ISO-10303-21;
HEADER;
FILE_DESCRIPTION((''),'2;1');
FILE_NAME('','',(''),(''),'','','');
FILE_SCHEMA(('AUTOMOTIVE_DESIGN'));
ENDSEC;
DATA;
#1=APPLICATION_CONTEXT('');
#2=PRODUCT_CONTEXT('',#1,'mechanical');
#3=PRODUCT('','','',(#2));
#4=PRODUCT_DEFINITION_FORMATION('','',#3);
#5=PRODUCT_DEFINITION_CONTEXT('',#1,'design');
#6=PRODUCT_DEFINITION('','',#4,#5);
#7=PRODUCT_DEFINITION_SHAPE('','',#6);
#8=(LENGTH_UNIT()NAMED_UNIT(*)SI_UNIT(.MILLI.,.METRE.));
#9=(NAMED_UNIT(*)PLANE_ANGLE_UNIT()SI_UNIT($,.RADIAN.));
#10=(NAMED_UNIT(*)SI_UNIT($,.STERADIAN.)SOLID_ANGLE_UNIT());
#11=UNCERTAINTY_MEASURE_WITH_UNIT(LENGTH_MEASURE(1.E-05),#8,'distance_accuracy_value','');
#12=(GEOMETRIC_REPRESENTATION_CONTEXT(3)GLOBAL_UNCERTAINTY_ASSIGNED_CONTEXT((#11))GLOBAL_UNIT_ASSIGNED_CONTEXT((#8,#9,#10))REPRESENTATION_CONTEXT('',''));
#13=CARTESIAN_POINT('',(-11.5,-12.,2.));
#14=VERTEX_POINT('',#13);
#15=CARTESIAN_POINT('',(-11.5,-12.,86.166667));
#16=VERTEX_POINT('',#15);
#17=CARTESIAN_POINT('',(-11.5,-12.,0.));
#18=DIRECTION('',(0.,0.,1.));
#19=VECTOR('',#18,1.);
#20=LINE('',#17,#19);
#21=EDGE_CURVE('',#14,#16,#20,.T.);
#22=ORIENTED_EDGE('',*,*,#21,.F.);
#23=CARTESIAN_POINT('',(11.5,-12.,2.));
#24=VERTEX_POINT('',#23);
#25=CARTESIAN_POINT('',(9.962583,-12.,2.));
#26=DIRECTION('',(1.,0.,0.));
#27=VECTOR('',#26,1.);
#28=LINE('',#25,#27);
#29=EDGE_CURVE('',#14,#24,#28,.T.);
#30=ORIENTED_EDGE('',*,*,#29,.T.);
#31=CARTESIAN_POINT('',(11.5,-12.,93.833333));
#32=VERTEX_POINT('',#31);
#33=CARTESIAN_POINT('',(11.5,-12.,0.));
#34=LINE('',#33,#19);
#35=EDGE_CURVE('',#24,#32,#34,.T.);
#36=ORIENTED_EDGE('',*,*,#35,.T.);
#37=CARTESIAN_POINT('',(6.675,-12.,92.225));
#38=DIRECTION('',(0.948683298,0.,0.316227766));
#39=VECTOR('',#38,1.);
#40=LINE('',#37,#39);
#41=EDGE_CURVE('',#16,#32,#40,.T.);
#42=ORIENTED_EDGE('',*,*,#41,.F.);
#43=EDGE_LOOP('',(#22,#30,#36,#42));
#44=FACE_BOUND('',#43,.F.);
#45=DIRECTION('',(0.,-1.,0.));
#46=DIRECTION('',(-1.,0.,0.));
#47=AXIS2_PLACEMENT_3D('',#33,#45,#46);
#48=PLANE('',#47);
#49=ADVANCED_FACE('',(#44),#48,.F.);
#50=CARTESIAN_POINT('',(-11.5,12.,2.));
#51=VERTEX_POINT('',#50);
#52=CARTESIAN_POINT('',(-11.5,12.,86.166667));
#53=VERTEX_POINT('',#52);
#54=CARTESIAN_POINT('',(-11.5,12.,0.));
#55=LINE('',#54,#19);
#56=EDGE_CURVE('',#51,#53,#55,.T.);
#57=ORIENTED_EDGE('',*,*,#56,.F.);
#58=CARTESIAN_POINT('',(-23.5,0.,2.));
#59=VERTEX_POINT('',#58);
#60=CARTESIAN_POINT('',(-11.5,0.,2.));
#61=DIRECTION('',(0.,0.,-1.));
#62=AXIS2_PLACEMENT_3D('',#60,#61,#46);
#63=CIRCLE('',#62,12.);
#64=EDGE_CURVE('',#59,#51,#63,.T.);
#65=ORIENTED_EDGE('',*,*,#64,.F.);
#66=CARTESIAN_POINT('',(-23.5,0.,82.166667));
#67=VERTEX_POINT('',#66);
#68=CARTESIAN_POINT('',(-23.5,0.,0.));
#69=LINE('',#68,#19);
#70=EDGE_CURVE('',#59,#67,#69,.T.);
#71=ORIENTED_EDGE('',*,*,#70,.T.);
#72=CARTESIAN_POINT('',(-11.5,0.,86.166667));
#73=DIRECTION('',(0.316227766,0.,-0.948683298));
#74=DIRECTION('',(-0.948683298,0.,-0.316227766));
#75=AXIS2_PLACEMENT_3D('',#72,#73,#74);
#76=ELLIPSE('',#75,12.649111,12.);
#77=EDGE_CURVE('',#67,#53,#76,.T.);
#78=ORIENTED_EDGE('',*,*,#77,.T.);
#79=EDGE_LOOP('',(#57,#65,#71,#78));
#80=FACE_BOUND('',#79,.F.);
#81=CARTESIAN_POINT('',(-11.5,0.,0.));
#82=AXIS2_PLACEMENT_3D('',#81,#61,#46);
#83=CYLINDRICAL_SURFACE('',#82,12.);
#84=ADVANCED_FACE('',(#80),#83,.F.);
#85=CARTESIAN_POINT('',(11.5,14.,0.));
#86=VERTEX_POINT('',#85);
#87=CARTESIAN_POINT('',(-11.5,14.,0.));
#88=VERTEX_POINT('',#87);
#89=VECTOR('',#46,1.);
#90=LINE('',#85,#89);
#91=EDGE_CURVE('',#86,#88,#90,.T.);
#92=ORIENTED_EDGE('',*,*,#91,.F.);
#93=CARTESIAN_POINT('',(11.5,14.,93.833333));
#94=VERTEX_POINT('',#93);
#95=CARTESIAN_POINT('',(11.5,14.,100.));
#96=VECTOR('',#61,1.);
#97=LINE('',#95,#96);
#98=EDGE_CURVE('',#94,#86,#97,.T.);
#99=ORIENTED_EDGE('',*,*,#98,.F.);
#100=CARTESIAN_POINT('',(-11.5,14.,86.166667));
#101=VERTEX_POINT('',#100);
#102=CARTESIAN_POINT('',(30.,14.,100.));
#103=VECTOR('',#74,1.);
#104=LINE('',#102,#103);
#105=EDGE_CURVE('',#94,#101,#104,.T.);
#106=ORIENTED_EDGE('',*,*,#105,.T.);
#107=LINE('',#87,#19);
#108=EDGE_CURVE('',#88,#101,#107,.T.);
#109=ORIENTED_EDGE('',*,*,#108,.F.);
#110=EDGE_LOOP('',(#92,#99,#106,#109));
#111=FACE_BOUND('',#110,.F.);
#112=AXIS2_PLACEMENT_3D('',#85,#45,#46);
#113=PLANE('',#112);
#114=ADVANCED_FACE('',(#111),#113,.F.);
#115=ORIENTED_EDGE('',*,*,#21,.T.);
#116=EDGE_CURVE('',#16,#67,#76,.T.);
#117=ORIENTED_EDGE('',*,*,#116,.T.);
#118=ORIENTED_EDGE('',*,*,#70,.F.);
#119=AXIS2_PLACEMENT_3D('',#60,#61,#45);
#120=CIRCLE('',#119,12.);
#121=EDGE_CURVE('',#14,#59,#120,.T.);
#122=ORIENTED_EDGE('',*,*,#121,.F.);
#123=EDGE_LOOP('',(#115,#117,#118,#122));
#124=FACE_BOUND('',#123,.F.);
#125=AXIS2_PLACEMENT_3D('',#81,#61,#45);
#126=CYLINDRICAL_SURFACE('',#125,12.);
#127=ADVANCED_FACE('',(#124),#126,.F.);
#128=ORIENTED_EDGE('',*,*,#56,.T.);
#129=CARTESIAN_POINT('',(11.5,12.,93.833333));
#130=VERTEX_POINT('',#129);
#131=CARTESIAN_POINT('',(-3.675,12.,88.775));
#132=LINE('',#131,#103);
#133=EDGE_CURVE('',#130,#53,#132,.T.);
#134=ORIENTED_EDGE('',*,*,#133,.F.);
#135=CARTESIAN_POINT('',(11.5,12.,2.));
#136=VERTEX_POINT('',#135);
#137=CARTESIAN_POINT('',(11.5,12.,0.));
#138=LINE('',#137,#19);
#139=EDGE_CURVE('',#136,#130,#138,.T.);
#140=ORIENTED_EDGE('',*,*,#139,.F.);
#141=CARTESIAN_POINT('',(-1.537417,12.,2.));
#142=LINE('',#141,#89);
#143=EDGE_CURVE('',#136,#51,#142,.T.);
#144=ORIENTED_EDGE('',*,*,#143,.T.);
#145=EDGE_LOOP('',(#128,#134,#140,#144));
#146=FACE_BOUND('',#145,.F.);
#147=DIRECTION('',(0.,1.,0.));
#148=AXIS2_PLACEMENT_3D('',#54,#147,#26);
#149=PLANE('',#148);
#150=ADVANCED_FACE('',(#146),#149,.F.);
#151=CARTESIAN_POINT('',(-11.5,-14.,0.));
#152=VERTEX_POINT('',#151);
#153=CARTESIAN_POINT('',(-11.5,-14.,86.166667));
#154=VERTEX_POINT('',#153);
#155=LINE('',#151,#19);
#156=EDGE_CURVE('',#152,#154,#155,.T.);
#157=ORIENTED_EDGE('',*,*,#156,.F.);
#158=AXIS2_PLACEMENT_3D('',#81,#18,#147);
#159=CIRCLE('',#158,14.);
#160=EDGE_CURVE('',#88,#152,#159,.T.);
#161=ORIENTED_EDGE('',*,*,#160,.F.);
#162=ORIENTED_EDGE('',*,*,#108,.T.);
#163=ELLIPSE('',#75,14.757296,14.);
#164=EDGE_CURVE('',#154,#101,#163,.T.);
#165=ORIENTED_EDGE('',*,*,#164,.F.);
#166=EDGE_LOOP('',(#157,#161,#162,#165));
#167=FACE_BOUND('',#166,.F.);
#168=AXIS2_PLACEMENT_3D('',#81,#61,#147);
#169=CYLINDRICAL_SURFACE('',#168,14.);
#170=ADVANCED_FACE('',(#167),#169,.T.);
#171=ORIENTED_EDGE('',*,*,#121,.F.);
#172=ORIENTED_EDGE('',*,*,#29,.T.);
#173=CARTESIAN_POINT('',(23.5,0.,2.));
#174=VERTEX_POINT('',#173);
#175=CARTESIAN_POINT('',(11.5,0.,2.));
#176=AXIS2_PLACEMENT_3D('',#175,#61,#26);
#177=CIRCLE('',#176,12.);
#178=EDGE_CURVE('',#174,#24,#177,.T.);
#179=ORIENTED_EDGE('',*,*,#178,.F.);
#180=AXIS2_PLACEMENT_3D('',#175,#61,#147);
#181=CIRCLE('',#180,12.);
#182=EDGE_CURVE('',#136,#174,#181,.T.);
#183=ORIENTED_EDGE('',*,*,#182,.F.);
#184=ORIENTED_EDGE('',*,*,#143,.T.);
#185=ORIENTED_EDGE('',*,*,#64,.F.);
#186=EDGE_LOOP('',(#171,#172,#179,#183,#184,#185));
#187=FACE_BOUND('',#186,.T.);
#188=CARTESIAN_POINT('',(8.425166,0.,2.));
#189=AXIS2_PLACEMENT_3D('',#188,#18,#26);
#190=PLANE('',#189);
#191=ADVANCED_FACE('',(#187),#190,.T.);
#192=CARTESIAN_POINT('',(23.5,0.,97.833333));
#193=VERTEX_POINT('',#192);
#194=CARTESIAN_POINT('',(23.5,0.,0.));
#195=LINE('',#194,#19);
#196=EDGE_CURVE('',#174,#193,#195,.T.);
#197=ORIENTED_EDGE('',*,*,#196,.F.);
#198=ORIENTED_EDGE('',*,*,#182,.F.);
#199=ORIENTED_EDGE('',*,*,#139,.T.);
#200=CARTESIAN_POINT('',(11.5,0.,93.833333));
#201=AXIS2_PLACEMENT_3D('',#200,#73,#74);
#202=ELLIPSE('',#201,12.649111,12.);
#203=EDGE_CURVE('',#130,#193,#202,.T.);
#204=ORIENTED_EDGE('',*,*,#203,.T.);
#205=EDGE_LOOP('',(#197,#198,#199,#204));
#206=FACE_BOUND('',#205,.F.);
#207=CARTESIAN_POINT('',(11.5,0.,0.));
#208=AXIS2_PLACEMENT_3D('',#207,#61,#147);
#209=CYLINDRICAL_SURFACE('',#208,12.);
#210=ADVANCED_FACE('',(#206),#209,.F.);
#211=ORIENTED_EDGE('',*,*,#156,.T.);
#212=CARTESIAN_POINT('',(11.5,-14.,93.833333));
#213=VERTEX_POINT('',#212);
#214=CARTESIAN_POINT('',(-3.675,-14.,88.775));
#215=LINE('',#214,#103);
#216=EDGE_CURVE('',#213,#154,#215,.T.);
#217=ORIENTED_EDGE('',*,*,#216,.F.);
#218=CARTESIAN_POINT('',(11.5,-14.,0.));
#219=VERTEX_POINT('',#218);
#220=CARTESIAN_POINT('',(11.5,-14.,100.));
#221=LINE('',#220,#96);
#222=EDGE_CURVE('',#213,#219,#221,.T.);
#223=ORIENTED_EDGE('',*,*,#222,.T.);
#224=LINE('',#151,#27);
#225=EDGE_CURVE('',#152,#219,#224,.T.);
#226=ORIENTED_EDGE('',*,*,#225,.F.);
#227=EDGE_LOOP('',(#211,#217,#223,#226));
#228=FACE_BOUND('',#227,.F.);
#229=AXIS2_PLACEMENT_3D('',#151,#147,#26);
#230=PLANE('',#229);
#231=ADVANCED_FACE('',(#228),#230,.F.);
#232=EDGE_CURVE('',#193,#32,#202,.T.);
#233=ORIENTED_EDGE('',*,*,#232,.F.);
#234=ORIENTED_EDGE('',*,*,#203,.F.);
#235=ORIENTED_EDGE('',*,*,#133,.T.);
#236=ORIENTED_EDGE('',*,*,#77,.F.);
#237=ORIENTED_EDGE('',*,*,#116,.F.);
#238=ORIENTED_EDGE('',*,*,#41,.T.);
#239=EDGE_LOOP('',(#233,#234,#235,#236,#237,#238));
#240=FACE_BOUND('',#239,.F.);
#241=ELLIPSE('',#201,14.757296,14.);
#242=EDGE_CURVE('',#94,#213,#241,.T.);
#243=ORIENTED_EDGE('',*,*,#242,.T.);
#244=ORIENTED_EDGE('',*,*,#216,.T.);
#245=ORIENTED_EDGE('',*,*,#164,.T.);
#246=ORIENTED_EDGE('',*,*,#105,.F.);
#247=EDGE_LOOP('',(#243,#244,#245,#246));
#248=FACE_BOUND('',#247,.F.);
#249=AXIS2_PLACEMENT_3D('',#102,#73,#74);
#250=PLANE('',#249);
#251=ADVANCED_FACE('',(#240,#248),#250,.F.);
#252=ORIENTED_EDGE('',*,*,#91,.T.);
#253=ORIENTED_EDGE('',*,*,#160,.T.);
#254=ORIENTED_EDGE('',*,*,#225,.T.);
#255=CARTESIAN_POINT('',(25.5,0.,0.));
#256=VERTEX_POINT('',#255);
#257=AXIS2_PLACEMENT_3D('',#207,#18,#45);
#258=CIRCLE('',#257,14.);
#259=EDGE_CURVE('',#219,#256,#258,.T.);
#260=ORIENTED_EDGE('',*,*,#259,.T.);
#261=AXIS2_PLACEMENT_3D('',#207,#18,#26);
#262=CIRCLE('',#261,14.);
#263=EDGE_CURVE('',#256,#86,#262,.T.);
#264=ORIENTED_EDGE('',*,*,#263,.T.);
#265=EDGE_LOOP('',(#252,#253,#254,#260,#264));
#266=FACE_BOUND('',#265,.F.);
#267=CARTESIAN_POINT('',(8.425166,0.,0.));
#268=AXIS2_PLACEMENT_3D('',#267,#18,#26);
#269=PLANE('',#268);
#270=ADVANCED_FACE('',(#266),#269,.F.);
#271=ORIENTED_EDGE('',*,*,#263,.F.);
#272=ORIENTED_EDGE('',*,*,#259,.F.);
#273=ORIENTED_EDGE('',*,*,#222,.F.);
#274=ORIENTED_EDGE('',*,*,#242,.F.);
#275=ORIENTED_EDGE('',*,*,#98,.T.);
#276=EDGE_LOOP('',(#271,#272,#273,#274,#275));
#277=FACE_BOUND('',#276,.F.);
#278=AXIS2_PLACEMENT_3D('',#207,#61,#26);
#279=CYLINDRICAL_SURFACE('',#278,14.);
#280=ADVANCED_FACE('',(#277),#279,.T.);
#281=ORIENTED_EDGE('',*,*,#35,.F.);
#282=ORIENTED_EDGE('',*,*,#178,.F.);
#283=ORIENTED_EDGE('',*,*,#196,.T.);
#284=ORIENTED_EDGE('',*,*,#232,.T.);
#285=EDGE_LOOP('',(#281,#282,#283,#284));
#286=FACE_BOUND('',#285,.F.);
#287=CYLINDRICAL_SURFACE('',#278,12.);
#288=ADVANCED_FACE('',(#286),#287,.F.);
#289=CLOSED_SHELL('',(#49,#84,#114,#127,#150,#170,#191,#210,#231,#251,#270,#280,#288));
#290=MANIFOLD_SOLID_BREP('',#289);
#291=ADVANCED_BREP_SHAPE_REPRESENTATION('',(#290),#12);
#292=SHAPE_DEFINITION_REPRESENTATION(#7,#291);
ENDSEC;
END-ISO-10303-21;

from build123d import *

# Parameters (mm, degrees)
F1_DEPTH = 2
F2_DEPTH = 100
F4_DEPTH = 28.001


with BuildPart() as f1:
    # F0 (on Top) → F1 (new body)
    with BuildSketch(Plane.XY):
        with BuildLine():
            ThreePointArc((23.5, 0), (19.9852813742, 8.4852813742), (11.5, 12))
            Line((11.5, 12), (-4.2888974491, 12))
            ThreePointArc((-4.2888974491, 12), (0.6851433252, 6.8936407031), (2.5, 0))
            ThreePointArc((2.5, 0), (0.6851433252, -6.8936407031), (-4.2888974491, -12))
            Line((-4.2888974491, -12), (11.5, -12))
            ThreePointArc((11.5, -12), (19.9852813742, -8.4852813742), (23.5, 0))
        make_face()
        with BuildLine():
            ThreePointArc((2.5, 0), (0.6851433252, 6.8936407031), (-4.2888974491, 12))
            Line((-4.2888974491, 12), (-11.5, 12))
            ThreePointArc((-11.5, 12), (-19.9852813742, 8.4852813742), (-23.5, 0))
            ThreePointArc((-23.5, 0), (-19.9852813742, -8.4852813742), (-11.5, -12))
            Line((-11.5, -12), (-4.2888974491, -12))
            ThreePointArc((-4.2888974491, -12), (0.6851433252, -6.8936407031), (2.5, 0))
        make_face()
        with BuildLine():
            Line((-4.2888974491, 12), (11.5, 12))
            ThreePointArc((11.5, 12), (19.9852813742, 8.4852813742), (23.5, 0))
            ThreePointArc((23.5, 0), (19.9852813742, -8.4852813742), (11.5, -12))
            Line((11.5, -12), (-4.2888974491, -12))
            ThreePointArc((-4.2888974491, -12), (-7.7583426132, -13.4907375632), (-11.5, -14))
            Line((-11.5, -14), (11.5, -14))
            ThreePointArc((11.5, -14), (21.3994949366, -9.8994949366), (25.5, 0))
            ThreePointArc((25.5, 0), (21.3994949366, 9.8994949366), (11.5, 14))
            Line((11.5, 14), (-11.5, 14))
            ThreePointArc((-11.5, 14), (-7.7583426132, 13.4907375632), (-4.2888974491, 12))
        make_face()
        with BuildLine():
            Line((-11.5, 12), (-4.2888974491, 12))
            ThreePointArc((-4.2888974491, 12), (-7.7583426132, 13.4907375632), (-11.5, 14))
            ThreePointArc((-11.5, 14), (-25.5, 0), (-11.5, -14))
            ThreePointArc((-11.5, -14), (-7.7583426132, -13.4907375632), (-4.2888974491, -12))
            Line((-4.2888974491, -12), (-11.5, -12))
            ThreePointArc((-11.5, -12), (-19.9852813742, -8.4852813742), (-23.5, 0))
            ThreePointArc((-23.5, 0), (-19.9852813742, 8.4852813742), (-11.5, 12))
        make_face()
    extrude(amount=F1_DEPTH)

    # F0 (on Top) → F2 (join)
    with BuildSketch(Plane.XY):
        with BuildLine():
            Line((-4.2888974491, 12), (11.5, 12))
            ThreePointArc((11.5, 12), (19.9852813742, 8.4852813742), (23.5, 0))
            ThreePointArc((23.5, 0), (19.9852813742, -8.4852813742), (11.5, -12))
            Line((11.5, -12), (-4.2888974491, -12))
            ThreePointArc((-4.2888974491, -12), (-7.7583426132, -13.4907375632), (-11.5, -14))
            Line((-11.5, -14), (11.5, -14))
            ThreePointArc((11.5, -14), (21.3994949366, -9.8994949366), (25.5, 0))
            ThreePointArc((25.5, 0), (21.3994949366, 9.8994949366), (11.5, 14))
            Line((11.5, 14), (-11.5, 14))
            ThreePointArc((-11.5, 14), (-7.7583426132, 13.4907375632), (-4.2888974491, 12))
        make_face()
        with BuildLine():
            Line((-11.5, 12), (-4.2888974491, 12))
            ThreePointArc((-4.2888974491, 12), (-7.7583426132, 13.4907375632), (-11.5, 14))
            ThreePointArc((-11.5, 14), (-25.5, 0), (-11.5, -14))
            ThreePointArc((-11.5, -14), (-7.7583426132, -13.4907375632), (-4.2888974491, -12))
            Line((-4.2888974491, -12), (-11.5, -12))
            ThreePointArc((-11.5, -12), (-19.9852813742, -8.4852813742), (-23.5, 0))
            ThreePointArc((-23.5, 0), (-19.9852813742, 8.4852813742), (-11.5, 12))
        make_face()
    extrude(amount=F2_DEPTH)

    # F3 (on face) → F4 (cut, through all)
    with BuildSketch(Plane(origin=(0, 14, 0), x_dir=(-1, 0, 0), z_dir=(0, 1, 0))):
        Polygon((-30, 127.5684932653), (-30, 100), (30, 80), (30, 127.5684932653), align=None)
    extrude(amount=-F4_DEPTH, mode=Mode.SUBTRACT)


solid = f1.part
